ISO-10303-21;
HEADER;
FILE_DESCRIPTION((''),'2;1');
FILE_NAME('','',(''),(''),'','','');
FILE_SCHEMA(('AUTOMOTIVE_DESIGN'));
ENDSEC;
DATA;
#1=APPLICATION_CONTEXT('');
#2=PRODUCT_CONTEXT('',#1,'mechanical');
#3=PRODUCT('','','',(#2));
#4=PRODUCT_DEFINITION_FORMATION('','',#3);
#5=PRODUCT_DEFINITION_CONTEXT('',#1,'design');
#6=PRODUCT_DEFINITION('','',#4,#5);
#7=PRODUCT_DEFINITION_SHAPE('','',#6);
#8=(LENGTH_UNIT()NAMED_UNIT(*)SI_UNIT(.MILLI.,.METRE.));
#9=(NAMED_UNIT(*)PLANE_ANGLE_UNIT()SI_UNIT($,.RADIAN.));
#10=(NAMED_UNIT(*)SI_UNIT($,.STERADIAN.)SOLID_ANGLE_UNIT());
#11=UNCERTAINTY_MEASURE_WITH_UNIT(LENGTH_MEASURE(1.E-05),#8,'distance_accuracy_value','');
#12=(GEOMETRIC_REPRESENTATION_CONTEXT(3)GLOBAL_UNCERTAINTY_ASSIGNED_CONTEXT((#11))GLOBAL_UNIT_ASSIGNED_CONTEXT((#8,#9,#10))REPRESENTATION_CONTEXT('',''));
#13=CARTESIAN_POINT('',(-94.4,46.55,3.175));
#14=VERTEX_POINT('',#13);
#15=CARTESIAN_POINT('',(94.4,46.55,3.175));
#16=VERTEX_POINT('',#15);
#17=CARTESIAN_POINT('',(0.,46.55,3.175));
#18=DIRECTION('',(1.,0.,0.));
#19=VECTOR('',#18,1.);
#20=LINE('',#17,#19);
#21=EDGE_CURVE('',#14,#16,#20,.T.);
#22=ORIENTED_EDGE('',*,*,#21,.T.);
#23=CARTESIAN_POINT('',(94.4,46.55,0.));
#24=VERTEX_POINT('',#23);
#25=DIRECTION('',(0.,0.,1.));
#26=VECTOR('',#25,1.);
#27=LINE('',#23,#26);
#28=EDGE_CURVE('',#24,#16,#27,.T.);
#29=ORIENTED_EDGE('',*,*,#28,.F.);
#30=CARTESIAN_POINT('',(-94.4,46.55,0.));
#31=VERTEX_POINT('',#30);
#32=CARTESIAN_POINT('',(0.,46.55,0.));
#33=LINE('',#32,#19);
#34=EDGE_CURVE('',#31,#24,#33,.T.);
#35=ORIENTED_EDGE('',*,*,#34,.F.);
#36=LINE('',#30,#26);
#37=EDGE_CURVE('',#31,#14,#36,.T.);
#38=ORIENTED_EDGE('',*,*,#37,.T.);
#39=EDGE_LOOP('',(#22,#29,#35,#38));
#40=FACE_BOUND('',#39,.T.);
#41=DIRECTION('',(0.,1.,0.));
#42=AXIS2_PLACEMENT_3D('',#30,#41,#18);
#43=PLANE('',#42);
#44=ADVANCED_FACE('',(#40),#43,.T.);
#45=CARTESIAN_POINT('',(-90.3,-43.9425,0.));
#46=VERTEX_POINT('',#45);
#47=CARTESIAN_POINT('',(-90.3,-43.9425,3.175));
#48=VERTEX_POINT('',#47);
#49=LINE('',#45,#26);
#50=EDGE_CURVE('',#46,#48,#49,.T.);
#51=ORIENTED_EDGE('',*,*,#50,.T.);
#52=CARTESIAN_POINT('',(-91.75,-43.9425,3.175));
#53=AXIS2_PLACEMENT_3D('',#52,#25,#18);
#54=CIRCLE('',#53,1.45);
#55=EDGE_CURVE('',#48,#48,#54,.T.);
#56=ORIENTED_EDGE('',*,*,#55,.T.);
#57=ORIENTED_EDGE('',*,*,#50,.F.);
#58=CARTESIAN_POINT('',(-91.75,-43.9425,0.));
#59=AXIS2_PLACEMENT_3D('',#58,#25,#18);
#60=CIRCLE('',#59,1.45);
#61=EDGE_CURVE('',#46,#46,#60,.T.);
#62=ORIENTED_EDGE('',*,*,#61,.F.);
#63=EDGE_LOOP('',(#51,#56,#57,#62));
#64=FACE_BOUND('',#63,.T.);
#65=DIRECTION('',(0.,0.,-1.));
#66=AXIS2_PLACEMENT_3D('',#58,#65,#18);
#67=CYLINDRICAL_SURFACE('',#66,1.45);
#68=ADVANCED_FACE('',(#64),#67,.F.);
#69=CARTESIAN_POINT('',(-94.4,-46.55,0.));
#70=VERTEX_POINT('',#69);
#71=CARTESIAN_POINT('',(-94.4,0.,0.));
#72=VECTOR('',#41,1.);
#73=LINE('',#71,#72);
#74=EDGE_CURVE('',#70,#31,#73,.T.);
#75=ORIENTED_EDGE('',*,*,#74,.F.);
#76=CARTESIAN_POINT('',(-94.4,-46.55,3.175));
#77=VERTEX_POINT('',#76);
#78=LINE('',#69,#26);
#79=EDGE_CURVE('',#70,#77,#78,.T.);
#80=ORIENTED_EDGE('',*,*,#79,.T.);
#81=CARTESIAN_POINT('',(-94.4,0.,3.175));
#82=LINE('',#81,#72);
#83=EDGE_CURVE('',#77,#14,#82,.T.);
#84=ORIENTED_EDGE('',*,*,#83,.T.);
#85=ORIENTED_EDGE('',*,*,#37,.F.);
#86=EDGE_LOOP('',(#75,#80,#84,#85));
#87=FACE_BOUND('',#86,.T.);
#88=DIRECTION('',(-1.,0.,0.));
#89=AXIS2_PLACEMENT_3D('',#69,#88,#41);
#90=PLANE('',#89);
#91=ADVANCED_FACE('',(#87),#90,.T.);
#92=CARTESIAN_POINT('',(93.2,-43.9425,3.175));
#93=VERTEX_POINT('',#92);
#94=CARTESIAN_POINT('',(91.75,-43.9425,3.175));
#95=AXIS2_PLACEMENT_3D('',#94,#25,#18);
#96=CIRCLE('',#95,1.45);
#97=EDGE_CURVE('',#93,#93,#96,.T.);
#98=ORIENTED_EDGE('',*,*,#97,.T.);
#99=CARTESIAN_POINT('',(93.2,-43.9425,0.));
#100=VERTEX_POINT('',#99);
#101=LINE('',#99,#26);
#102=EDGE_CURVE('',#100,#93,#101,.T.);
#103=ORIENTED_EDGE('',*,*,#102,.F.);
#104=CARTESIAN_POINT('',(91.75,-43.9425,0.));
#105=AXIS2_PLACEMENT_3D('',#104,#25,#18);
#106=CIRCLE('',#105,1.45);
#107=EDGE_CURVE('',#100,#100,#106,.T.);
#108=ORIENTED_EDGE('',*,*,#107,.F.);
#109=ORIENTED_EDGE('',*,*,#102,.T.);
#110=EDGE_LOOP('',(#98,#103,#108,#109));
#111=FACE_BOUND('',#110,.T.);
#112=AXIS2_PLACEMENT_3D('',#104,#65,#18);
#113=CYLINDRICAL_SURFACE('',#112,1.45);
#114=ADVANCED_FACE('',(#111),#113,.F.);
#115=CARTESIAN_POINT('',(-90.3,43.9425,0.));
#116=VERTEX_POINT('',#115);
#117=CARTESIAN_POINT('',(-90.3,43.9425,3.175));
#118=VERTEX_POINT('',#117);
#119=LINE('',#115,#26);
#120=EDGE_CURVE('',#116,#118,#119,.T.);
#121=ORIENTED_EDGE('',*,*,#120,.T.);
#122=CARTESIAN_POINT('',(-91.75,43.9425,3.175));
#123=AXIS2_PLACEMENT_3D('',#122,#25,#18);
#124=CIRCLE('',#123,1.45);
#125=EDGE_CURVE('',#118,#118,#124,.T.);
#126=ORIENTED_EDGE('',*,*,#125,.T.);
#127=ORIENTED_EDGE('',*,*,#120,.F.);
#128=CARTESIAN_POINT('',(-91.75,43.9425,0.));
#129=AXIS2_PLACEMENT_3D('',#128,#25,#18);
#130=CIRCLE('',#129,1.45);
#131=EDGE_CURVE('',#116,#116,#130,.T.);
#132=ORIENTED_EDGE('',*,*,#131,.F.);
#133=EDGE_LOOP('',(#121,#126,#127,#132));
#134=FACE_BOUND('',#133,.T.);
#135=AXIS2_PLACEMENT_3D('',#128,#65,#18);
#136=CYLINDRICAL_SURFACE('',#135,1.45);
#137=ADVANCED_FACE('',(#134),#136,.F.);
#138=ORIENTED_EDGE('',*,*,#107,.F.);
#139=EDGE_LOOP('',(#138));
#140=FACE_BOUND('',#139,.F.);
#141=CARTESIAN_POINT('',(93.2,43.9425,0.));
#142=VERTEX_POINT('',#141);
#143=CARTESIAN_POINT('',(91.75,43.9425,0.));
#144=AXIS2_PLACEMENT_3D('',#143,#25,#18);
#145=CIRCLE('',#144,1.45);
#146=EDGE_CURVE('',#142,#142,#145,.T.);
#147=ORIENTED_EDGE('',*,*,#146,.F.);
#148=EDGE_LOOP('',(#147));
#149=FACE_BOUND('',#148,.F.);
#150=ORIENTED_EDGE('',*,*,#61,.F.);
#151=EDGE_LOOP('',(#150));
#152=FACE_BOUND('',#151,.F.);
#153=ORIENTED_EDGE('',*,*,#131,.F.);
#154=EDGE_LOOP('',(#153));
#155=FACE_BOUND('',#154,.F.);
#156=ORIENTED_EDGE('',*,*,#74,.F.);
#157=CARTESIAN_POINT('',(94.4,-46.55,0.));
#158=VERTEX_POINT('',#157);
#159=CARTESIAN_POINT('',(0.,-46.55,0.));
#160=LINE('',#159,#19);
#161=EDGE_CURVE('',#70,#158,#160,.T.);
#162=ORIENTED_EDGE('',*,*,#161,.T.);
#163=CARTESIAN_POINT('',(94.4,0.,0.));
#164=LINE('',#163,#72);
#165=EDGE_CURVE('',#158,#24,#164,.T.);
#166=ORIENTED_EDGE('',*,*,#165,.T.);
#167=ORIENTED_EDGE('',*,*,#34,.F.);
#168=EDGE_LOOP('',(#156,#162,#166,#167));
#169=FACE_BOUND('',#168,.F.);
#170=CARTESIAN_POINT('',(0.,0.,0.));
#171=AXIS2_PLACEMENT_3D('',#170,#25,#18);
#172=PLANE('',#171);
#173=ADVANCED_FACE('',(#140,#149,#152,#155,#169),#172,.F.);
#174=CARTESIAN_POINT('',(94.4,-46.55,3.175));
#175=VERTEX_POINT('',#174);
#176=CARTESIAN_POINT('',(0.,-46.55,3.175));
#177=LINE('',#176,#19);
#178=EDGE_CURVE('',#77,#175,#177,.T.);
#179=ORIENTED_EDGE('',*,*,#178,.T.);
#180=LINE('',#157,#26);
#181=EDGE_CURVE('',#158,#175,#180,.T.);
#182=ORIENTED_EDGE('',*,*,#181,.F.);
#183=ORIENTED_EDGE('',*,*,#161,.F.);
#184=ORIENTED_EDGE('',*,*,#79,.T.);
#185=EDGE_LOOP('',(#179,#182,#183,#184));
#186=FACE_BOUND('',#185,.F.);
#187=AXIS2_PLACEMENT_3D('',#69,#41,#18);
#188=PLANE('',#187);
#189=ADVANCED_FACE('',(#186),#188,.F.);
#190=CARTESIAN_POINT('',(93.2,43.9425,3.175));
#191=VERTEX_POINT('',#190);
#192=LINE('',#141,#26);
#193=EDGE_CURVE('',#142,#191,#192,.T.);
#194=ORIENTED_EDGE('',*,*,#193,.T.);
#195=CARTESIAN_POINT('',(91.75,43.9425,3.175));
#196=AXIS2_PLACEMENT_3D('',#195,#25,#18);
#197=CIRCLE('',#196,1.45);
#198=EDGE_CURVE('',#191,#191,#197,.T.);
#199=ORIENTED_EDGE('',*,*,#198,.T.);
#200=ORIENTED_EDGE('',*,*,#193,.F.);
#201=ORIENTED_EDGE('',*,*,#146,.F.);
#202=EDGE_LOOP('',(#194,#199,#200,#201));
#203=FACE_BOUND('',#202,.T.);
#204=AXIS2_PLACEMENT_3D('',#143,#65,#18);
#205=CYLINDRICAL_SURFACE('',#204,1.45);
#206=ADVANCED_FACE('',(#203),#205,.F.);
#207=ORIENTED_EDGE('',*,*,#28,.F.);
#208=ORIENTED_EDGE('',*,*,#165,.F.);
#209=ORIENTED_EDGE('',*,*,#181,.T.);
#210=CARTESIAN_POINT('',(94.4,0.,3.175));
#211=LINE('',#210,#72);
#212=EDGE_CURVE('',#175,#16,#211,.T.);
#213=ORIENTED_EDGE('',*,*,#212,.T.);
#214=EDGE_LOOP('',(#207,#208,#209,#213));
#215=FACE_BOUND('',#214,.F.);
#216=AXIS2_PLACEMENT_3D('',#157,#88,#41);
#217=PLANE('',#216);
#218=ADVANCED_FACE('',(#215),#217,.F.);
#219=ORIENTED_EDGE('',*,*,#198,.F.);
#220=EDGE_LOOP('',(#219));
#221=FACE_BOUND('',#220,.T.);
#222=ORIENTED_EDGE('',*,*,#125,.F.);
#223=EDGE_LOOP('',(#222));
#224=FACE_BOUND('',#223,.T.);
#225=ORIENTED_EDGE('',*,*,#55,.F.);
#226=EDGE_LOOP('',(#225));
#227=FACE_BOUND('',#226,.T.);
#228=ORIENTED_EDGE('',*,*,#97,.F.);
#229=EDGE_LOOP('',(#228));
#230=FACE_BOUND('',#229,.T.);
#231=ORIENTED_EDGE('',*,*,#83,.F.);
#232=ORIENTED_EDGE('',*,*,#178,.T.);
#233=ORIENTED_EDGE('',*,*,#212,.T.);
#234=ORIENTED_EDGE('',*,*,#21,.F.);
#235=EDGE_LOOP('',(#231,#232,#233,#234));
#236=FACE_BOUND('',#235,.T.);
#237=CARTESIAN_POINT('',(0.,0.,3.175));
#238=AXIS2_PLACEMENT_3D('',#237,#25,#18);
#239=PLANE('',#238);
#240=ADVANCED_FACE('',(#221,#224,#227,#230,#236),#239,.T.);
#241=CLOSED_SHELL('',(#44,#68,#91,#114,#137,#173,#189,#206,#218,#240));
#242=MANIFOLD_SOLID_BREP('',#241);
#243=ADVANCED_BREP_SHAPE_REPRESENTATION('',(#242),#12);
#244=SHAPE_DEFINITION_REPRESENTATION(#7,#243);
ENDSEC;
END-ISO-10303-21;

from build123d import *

# Parameters (mm, degrees)
SKETCH1_W           = 188.8
SKETCH1_H           = 93.1
SKETCH1_R           = 1.45
BOSS_EXTRUDE1_DEPTH = 3.175


with BuildPart() as part:
    # Sketch1 → Boss-Extrude1 (new body)
    with BuildSketch(Plane.XY):
        Rectangle(SKETCH1_W, SKETCH1_H)
        with Locations((-91.75, 43.9425)):
            Circle(SKETCH1_R, mode=Mode.SUBTRACT)
        with Locations((91.75, 43.9425)):
            Circle(SKETCH1_R, mode=Mode.SUBTRACT)
        with Locations((91.75, -43.9425)):
            Circle(SKETCH1_R, mode=Mode.SUBTRACT)
        with Locations((-91.75, -43.9425)):
            Circle(SKETCH1_R, mode=Mode.SUBTRACT)
    extrude(amount=BOSS_EXTRUDE1_DEPTH)


solid = part.part
